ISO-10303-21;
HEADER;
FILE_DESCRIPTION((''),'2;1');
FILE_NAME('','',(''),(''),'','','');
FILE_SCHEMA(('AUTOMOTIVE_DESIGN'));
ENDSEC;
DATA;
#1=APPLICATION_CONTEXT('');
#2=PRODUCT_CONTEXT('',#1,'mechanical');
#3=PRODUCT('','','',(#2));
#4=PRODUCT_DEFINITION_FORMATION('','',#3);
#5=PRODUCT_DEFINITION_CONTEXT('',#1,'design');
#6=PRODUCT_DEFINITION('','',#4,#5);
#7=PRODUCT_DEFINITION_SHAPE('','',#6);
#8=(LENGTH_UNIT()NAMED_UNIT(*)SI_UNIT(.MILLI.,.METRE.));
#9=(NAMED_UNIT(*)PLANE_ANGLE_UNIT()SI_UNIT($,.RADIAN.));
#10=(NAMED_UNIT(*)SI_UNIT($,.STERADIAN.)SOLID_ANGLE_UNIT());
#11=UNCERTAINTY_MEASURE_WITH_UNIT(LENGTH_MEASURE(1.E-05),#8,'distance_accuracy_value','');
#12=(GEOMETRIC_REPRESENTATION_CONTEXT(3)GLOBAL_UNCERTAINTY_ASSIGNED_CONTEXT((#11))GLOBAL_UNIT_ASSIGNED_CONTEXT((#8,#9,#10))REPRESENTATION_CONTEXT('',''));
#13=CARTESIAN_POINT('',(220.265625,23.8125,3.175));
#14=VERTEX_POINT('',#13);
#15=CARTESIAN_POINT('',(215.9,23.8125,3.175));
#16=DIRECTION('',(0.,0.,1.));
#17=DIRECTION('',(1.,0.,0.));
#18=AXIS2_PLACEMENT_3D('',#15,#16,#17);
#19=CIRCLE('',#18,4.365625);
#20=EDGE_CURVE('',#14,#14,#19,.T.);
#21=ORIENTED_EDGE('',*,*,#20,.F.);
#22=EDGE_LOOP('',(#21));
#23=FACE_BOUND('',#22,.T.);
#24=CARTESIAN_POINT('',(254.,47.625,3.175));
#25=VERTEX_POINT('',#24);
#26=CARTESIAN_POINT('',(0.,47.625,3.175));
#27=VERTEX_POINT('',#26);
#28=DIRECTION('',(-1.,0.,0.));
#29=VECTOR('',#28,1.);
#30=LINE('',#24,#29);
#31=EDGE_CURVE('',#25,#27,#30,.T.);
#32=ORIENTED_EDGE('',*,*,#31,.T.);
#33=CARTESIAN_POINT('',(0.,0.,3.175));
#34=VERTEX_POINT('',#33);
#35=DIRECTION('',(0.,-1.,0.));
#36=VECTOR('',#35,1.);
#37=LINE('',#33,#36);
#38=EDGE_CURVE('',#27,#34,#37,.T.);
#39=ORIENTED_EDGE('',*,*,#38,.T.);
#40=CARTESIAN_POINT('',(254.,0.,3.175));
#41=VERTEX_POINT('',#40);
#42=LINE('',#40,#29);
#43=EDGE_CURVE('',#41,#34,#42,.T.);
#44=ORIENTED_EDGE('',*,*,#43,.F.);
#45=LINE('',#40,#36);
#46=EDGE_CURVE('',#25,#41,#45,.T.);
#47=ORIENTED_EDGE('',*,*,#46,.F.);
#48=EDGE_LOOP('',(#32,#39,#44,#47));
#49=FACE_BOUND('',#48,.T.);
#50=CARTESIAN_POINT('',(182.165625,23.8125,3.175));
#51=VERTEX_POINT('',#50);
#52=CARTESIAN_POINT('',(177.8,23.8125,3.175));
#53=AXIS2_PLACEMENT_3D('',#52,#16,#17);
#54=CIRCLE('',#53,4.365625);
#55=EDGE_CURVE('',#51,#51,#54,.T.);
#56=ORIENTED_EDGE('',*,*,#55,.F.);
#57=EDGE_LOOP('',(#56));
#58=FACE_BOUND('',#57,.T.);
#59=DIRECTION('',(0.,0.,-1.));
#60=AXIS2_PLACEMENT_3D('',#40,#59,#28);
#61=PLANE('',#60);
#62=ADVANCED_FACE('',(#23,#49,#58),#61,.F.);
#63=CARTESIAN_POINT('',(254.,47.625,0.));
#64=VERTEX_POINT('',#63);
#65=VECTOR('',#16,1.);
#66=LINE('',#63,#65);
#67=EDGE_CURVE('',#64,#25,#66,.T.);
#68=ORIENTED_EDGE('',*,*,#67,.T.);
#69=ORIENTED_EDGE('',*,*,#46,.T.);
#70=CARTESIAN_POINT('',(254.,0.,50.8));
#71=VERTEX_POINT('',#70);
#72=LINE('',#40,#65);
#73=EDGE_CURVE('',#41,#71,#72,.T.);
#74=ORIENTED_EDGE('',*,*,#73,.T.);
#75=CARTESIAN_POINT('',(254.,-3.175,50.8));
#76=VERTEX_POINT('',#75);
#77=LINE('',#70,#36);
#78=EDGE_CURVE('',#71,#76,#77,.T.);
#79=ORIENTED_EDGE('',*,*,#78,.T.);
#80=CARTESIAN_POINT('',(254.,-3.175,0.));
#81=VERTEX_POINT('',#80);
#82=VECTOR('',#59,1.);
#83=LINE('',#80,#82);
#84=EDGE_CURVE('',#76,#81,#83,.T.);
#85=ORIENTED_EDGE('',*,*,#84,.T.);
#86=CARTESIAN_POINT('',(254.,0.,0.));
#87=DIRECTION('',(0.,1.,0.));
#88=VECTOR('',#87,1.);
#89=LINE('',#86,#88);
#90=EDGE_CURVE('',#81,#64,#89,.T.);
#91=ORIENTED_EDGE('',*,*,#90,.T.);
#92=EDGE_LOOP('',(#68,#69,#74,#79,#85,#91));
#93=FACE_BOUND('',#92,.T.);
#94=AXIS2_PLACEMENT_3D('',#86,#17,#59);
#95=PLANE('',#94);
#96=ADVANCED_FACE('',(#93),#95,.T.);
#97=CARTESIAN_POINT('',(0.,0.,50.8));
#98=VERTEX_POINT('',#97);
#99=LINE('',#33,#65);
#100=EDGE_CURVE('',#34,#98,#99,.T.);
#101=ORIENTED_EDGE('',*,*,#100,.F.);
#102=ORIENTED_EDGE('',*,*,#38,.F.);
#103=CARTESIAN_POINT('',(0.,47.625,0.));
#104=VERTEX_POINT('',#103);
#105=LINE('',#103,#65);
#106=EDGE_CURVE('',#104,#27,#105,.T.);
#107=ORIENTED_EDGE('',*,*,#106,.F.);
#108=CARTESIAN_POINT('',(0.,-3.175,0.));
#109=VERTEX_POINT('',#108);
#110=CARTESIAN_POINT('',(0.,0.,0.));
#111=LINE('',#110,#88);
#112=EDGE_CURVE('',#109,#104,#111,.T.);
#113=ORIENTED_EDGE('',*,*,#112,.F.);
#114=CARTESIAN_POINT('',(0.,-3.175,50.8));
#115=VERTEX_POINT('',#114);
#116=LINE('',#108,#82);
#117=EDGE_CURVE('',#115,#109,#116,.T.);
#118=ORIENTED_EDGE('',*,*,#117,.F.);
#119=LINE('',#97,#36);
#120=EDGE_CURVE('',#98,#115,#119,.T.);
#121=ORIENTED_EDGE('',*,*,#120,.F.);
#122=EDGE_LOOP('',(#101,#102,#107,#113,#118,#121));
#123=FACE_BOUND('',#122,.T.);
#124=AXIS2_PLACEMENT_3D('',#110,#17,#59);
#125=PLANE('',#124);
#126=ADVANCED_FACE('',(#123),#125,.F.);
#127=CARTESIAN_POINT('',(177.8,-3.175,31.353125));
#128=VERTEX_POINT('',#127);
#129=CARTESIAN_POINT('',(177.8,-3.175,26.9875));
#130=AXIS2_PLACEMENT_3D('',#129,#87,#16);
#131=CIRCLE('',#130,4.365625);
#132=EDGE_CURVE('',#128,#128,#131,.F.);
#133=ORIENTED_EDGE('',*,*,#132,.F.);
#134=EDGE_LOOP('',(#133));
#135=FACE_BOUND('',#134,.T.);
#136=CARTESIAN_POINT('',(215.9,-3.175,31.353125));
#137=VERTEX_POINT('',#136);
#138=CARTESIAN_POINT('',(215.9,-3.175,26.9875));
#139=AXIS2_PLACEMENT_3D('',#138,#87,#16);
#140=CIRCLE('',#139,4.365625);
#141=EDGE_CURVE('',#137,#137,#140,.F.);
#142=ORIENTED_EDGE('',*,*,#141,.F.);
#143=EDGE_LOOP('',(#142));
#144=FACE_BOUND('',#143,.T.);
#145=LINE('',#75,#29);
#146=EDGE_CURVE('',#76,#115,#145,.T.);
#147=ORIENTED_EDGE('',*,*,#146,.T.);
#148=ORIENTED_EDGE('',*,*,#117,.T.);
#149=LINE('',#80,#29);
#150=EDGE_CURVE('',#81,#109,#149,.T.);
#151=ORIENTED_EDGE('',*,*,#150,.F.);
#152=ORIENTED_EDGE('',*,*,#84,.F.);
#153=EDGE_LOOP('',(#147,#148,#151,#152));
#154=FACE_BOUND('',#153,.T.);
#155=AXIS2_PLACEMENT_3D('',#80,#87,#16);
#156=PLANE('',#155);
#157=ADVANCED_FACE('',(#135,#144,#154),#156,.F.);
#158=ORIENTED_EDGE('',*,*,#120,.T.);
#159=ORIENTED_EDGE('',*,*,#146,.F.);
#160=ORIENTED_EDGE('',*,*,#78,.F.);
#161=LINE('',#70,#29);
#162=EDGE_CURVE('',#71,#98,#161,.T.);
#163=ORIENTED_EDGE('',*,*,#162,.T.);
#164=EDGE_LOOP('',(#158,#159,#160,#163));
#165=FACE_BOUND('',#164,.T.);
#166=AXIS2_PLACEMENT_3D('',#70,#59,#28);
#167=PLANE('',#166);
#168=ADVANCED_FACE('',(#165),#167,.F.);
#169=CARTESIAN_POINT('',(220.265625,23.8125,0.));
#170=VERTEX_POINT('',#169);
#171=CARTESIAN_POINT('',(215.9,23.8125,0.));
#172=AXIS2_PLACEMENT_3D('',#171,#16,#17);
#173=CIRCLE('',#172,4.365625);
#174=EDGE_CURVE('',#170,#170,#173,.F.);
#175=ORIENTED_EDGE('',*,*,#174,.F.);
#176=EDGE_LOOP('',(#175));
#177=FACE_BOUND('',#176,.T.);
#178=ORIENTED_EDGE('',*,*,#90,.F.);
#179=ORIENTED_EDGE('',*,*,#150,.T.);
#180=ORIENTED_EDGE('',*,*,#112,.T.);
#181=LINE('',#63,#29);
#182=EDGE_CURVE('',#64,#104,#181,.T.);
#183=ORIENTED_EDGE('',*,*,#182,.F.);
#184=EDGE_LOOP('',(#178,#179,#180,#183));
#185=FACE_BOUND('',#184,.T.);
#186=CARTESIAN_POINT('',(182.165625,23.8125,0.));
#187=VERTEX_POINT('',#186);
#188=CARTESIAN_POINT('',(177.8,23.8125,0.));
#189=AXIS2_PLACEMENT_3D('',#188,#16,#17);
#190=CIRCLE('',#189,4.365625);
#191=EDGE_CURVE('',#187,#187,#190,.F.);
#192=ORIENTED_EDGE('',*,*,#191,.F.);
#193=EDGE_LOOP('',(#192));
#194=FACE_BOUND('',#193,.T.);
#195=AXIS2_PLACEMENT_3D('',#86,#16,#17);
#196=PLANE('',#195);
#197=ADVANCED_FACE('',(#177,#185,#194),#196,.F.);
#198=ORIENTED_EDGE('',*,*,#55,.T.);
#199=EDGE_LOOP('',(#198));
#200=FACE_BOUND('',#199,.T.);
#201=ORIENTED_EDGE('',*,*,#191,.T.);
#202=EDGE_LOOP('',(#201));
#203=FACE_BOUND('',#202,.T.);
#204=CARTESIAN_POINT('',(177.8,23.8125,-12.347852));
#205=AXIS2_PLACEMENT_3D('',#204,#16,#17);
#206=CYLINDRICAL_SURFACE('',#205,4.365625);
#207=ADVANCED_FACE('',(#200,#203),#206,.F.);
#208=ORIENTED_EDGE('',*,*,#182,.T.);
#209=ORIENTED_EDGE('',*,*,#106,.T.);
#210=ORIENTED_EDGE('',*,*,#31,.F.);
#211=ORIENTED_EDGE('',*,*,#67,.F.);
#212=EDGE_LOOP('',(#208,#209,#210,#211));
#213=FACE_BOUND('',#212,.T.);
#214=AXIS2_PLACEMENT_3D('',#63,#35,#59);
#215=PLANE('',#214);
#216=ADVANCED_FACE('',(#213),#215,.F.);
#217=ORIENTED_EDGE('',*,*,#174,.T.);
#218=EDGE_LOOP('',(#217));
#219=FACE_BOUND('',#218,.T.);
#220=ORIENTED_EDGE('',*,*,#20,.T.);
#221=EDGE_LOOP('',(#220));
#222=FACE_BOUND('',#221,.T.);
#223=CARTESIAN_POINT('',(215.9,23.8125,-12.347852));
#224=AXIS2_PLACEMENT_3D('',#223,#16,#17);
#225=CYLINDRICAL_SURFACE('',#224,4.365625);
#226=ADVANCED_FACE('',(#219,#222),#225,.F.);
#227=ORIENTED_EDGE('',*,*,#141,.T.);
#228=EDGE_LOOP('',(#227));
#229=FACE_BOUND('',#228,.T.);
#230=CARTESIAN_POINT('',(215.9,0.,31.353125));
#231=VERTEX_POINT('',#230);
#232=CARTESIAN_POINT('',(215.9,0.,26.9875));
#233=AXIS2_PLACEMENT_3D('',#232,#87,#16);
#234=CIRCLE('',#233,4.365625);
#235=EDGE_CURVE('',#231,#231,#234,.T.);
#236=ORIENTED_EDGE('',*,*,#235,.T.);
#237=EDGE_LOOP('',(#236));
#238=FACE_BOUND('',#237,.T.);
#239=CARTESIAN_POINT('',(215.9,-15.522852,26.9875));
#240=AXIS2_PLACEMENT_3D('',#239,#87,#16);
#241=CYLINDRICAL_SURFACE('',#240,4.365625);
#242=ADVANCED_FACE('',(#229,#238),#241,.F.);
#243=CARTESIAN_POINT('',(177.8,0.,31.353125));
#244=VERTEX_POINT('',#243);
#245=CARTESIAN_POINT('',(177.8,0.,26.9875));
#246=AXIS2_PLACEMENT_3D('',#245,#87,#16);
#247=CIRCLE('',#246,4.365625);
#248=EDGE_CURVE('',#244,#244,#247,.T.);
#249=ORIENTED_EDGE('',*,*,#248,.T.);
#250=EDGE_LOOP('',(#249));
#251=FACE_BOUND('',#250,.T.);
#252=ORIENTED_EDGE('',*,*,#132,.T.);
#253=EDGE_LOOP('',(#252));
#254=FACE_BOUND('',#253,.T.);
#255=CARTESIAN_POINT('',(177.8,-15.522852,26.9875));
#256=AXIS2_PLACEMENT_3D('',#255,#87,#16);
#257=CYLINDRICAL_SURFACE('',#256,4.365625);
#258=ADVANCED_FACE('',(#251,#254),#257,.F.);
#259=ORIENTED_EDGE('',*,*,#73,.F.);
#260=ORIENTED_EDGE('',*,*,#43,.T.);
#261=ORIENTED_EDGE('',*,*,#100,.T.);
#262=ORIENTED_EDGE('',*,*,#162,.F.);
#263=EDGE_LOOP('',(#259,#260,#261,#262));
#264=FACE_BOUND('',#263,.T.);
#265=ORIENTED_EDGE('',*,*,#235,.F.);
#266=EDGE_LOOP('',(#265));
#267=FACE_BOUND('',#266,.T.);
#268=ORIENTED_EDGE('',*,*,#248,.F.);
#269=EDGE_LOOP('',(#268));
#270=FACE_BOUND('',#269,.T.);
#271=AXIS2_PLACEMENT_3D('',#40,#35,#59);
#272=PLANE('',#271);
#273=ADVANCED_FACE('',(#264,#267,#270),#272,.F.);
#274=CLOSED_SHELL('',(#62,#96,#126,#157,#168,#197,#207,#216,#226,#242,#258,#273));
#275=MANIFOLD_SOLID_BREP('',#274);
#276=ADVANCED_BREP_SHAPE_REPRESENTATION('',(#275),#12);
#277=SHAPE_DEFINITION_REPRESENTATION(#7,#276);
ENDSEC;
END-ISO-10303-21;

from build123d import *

# Parameters (mm, degrees)
BOSS_EXTRUDE1_DEPTH = 254
SKETCH2_R           = 4.365625
CUT_EXTRUDE1_DEPTH  = 3.175
SKETCH3_R           = 4.365625
CUT_EXTRUDE2_DEPTH  = 3.175


with BuildPart() as part:
    # Sketch1 → Boss-Extrude1 (new body)
    with BuildSketch(Plane(origin=(0, 0, 0), x_dir=(0, 0, -1), z_dir=(1, 0, 0))):
        Polygon((-3.175, 0), (-50.8, 0), (-50.8, -3.175), (0, -3.175), (0, 0), (0, 47.625), (-3.175, 47.625), align=None)
    extrude(amount=BOSS_EXTRUDE1_DEPTH)

    # Sketch2 → Cut-Extrude1 (cut)
    with BuildSketch(Plane.XY.offset(3.175)):
        with Locations((177.8, 23.8125)):
            Circle(SKETCH2_R)
        with Locations((215.9, 23.8125)):
            Circle(SKETCH2_R)
    extrude(amount=-CUT_EXTRUDE1_DEPTH, mode=Mode.SUBTRACT)

    # Sketch3 → Cut-Extrude2 (cut)
    with BuildSketch(Plane(origin=(0, 0, 0), x_dir=(1, 0, 0), z_dir=(0, 1, 0))):
        with Locations((177.8, -26.9875)):
            Circle(SKETCH3_R)
        with Locations((215.9, -26.9875)):
            Circle(SKETCH3_R)
    extrude(amount=-CUT_EXTRUDE2_DEPTH, mode=Mode.SUBTRACT)


solid = part.part
